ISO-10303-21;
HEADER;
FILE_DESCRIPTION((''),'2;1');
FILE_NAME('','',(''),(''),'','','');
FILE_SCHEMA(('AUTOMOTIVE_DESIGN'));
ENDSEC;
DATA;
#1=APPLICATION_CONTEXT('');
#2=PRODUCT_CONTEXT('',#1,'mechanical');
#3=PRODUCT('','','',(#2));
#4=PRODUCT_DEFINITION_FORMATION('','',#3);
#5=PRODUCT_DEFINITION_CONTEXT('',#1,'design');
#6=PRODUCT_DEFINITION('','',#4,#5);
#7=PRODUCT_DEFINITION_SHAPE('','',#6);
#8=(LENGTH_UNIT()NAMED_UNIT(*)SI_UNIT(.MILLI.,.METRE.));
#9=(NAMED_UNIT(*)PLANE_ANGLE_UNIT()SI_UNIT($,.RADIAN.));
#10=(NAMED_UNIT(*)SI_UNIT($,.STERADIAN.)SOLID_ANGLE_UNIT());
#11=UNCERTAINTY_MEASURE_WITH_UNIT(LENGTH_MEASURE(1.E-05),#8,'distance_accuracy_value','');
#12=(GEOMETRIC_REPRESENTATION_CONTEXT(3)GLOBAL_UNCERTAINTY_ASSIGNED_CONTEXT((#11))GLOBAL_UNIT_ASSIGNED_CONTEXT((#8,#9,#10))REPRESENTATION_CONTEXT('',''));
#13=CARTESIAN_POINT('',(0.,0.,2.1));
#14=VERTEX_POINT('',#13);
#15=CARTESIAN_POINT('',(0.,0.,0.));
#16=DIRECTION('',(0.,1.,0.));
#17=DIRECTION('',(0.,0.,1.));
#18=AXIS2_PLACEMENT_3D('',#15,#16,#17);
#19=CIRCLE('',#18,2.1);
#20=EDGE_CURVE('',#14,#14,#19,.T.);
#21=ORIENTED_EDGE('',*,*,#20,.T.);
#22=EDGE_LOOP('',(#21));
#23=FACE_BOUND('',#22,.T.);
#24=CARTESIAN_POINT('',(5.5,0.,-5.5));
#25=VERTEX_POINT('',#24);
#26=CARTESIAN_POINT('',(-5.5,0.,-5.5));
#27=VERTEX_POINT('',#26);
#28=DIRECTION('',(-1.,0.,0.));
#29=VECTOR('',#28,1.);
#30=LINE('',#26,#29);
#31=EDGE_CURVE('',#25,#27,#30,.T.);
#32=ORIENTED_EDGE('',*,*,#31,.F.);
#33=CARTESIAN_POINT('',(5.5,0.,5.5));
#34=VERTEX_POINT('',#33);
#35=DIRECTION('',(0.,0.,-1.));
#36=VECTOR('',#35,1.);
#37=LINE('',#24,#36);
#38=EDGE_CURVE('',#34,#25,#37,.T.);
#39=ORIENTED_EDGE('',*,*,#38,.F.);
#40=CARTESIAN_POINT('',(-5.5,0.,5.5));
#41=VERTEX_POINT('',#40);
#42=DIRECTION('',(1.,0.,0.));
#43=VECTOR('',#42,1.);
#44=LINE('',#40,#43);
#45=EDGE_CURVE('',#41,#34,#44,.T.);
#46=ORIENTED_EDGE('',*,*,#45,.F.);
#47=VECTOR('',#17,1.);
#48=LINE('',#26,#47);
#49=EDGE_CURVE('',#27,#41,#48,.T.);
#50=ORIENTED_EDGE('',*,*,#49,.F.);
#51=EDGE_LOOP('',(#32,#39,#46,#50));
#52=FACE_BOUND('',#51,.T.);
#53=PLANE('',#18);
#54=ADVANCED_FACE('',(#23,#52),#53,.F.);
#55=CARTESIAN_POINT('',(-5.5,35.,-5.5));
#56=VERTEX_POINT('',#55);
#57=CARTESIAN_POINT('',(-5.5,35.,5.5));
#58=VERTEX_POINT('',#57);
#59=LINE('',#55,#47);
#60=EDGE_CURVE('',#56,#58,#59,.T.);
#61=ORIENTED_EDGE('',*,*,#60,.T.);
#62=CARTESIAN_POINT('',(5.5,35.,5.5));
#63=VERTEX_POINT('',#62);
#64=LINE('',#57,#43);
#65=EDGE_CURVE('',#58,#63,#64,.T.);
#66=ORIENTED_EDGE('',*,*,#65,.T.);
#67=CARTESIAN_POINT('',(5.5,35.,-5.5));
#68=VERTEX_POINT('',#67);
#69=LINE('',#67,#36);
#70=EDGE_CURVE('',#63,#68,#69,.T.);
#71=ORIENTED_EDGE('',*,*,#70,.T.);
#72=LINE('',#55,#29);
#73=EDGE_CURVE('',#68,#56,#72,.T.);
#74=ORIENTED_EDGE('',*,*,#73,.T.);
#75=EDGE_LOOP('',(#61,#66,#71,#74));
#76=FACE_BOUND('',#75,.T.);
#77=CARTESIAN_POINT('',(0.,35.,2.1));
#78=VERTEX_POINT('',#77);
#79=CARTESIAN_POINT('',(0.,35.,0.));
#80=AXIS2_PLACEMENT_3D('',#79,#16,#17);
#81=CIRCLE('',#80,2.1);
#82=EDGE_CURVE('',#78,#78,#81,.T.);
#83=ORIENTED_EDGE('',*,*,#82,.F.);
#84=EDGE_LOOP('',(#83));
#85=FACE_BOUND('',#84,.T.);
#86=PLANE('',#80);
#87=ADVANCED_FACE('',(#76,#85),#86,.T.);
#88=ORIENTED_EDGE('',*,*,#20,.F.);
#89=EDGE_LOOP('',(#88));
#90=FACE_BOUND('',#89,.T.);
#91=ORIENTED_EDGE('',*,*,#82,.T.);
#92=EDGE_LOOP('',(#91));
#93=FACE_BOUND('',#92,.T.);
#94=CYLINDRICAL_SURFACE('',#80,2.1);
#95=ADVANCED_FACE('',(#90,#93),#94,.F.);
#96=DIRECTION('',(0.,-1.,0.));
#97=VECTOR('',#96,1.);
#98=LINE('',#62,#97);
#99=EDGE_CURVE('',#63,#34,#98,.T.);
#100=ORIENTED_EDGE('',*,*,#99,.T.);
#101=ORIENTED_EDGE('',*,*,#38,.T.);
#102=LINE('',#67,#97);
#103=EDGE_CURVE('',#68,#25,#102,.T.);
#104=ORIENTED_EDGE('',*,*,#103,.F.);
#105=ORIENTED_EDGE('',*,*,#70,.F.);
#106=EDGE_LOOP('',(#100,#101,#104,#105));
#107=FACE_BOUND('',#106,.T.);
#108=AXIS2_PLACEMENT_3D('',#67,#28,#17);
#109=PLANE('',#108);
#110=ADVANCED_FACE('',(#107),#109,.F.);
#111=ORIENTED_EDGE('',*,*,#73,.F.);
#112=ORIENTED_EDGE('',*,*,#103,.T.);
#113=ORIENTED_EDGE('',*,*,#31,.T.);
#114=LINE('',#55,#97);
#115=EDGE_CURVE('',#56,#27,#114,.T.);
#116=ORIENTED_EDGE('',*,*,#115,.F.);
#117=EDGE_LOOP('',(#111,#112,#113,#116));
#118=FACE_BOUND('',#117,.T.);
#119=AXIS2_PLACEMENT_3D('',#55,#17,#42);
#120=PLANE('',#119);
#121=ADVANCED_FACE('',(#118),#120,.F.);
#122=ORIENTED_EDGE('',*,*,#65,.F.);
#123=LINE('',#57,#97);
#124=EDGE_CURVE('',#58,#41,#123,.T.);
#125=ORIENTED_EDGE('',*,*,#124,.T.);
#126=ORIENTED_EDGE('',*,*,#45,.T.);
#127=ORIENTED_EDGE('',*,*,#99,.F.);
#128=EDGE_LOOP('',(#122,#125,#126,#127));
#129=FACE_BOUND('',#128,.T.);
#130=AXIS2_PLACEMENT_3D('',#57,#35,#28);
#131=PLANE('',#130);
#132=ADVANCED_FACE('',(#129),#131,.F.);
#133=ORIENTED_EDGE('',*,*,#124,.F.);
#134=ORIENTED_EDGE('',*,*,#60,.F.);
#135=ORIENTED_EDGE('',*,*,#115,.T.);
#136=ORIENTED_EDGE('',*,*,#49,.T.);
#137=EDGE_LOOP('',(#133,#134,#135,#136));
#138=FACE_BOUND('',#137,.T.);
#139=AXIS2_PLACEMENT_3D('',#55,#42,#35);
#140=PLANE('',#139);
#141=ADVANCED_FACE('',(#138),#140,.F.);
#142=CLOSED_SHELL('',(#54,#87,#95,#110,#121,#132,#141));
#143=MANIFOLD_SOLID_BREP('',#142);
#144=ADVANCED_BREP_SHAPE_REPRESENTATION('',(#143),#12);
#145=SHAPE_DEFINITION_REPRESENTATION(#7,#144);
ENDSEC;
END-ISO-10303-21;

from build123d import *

# Parameters (mm, degrees)
SKETCH1_W             = 11
SKETCH1_H             = 11
BOSS_EXTRUDE1_DEPTH   = 35
M5X0_8_TAPPED_HOLE1_D = 4.2


with BuildPart() as part:
    # Sketch1 → Boss-Extrude1 (new body)
    with BuildSketch(Plane(origin=(0, 0, 0), x_dir=(1, 0, 0), z_dir=(0, 1, 0))):
        Rectangle(SKETCH1_W, SKETCH1_H)
    extrude(amount=BOSS_EXTRUDE1_DEPTH)

    # M5x0.8 Tapped Hole1 (through all)
    with Locations(Plane(origin=(0, 35, 0), x_dir=(1, 0, 0), z_dir=(0, 1, 0))):
        with Locations((0, 0)):
            Hole(M5X0_8_TAPPED_HOLE1_D / 2)


solid = part.part
